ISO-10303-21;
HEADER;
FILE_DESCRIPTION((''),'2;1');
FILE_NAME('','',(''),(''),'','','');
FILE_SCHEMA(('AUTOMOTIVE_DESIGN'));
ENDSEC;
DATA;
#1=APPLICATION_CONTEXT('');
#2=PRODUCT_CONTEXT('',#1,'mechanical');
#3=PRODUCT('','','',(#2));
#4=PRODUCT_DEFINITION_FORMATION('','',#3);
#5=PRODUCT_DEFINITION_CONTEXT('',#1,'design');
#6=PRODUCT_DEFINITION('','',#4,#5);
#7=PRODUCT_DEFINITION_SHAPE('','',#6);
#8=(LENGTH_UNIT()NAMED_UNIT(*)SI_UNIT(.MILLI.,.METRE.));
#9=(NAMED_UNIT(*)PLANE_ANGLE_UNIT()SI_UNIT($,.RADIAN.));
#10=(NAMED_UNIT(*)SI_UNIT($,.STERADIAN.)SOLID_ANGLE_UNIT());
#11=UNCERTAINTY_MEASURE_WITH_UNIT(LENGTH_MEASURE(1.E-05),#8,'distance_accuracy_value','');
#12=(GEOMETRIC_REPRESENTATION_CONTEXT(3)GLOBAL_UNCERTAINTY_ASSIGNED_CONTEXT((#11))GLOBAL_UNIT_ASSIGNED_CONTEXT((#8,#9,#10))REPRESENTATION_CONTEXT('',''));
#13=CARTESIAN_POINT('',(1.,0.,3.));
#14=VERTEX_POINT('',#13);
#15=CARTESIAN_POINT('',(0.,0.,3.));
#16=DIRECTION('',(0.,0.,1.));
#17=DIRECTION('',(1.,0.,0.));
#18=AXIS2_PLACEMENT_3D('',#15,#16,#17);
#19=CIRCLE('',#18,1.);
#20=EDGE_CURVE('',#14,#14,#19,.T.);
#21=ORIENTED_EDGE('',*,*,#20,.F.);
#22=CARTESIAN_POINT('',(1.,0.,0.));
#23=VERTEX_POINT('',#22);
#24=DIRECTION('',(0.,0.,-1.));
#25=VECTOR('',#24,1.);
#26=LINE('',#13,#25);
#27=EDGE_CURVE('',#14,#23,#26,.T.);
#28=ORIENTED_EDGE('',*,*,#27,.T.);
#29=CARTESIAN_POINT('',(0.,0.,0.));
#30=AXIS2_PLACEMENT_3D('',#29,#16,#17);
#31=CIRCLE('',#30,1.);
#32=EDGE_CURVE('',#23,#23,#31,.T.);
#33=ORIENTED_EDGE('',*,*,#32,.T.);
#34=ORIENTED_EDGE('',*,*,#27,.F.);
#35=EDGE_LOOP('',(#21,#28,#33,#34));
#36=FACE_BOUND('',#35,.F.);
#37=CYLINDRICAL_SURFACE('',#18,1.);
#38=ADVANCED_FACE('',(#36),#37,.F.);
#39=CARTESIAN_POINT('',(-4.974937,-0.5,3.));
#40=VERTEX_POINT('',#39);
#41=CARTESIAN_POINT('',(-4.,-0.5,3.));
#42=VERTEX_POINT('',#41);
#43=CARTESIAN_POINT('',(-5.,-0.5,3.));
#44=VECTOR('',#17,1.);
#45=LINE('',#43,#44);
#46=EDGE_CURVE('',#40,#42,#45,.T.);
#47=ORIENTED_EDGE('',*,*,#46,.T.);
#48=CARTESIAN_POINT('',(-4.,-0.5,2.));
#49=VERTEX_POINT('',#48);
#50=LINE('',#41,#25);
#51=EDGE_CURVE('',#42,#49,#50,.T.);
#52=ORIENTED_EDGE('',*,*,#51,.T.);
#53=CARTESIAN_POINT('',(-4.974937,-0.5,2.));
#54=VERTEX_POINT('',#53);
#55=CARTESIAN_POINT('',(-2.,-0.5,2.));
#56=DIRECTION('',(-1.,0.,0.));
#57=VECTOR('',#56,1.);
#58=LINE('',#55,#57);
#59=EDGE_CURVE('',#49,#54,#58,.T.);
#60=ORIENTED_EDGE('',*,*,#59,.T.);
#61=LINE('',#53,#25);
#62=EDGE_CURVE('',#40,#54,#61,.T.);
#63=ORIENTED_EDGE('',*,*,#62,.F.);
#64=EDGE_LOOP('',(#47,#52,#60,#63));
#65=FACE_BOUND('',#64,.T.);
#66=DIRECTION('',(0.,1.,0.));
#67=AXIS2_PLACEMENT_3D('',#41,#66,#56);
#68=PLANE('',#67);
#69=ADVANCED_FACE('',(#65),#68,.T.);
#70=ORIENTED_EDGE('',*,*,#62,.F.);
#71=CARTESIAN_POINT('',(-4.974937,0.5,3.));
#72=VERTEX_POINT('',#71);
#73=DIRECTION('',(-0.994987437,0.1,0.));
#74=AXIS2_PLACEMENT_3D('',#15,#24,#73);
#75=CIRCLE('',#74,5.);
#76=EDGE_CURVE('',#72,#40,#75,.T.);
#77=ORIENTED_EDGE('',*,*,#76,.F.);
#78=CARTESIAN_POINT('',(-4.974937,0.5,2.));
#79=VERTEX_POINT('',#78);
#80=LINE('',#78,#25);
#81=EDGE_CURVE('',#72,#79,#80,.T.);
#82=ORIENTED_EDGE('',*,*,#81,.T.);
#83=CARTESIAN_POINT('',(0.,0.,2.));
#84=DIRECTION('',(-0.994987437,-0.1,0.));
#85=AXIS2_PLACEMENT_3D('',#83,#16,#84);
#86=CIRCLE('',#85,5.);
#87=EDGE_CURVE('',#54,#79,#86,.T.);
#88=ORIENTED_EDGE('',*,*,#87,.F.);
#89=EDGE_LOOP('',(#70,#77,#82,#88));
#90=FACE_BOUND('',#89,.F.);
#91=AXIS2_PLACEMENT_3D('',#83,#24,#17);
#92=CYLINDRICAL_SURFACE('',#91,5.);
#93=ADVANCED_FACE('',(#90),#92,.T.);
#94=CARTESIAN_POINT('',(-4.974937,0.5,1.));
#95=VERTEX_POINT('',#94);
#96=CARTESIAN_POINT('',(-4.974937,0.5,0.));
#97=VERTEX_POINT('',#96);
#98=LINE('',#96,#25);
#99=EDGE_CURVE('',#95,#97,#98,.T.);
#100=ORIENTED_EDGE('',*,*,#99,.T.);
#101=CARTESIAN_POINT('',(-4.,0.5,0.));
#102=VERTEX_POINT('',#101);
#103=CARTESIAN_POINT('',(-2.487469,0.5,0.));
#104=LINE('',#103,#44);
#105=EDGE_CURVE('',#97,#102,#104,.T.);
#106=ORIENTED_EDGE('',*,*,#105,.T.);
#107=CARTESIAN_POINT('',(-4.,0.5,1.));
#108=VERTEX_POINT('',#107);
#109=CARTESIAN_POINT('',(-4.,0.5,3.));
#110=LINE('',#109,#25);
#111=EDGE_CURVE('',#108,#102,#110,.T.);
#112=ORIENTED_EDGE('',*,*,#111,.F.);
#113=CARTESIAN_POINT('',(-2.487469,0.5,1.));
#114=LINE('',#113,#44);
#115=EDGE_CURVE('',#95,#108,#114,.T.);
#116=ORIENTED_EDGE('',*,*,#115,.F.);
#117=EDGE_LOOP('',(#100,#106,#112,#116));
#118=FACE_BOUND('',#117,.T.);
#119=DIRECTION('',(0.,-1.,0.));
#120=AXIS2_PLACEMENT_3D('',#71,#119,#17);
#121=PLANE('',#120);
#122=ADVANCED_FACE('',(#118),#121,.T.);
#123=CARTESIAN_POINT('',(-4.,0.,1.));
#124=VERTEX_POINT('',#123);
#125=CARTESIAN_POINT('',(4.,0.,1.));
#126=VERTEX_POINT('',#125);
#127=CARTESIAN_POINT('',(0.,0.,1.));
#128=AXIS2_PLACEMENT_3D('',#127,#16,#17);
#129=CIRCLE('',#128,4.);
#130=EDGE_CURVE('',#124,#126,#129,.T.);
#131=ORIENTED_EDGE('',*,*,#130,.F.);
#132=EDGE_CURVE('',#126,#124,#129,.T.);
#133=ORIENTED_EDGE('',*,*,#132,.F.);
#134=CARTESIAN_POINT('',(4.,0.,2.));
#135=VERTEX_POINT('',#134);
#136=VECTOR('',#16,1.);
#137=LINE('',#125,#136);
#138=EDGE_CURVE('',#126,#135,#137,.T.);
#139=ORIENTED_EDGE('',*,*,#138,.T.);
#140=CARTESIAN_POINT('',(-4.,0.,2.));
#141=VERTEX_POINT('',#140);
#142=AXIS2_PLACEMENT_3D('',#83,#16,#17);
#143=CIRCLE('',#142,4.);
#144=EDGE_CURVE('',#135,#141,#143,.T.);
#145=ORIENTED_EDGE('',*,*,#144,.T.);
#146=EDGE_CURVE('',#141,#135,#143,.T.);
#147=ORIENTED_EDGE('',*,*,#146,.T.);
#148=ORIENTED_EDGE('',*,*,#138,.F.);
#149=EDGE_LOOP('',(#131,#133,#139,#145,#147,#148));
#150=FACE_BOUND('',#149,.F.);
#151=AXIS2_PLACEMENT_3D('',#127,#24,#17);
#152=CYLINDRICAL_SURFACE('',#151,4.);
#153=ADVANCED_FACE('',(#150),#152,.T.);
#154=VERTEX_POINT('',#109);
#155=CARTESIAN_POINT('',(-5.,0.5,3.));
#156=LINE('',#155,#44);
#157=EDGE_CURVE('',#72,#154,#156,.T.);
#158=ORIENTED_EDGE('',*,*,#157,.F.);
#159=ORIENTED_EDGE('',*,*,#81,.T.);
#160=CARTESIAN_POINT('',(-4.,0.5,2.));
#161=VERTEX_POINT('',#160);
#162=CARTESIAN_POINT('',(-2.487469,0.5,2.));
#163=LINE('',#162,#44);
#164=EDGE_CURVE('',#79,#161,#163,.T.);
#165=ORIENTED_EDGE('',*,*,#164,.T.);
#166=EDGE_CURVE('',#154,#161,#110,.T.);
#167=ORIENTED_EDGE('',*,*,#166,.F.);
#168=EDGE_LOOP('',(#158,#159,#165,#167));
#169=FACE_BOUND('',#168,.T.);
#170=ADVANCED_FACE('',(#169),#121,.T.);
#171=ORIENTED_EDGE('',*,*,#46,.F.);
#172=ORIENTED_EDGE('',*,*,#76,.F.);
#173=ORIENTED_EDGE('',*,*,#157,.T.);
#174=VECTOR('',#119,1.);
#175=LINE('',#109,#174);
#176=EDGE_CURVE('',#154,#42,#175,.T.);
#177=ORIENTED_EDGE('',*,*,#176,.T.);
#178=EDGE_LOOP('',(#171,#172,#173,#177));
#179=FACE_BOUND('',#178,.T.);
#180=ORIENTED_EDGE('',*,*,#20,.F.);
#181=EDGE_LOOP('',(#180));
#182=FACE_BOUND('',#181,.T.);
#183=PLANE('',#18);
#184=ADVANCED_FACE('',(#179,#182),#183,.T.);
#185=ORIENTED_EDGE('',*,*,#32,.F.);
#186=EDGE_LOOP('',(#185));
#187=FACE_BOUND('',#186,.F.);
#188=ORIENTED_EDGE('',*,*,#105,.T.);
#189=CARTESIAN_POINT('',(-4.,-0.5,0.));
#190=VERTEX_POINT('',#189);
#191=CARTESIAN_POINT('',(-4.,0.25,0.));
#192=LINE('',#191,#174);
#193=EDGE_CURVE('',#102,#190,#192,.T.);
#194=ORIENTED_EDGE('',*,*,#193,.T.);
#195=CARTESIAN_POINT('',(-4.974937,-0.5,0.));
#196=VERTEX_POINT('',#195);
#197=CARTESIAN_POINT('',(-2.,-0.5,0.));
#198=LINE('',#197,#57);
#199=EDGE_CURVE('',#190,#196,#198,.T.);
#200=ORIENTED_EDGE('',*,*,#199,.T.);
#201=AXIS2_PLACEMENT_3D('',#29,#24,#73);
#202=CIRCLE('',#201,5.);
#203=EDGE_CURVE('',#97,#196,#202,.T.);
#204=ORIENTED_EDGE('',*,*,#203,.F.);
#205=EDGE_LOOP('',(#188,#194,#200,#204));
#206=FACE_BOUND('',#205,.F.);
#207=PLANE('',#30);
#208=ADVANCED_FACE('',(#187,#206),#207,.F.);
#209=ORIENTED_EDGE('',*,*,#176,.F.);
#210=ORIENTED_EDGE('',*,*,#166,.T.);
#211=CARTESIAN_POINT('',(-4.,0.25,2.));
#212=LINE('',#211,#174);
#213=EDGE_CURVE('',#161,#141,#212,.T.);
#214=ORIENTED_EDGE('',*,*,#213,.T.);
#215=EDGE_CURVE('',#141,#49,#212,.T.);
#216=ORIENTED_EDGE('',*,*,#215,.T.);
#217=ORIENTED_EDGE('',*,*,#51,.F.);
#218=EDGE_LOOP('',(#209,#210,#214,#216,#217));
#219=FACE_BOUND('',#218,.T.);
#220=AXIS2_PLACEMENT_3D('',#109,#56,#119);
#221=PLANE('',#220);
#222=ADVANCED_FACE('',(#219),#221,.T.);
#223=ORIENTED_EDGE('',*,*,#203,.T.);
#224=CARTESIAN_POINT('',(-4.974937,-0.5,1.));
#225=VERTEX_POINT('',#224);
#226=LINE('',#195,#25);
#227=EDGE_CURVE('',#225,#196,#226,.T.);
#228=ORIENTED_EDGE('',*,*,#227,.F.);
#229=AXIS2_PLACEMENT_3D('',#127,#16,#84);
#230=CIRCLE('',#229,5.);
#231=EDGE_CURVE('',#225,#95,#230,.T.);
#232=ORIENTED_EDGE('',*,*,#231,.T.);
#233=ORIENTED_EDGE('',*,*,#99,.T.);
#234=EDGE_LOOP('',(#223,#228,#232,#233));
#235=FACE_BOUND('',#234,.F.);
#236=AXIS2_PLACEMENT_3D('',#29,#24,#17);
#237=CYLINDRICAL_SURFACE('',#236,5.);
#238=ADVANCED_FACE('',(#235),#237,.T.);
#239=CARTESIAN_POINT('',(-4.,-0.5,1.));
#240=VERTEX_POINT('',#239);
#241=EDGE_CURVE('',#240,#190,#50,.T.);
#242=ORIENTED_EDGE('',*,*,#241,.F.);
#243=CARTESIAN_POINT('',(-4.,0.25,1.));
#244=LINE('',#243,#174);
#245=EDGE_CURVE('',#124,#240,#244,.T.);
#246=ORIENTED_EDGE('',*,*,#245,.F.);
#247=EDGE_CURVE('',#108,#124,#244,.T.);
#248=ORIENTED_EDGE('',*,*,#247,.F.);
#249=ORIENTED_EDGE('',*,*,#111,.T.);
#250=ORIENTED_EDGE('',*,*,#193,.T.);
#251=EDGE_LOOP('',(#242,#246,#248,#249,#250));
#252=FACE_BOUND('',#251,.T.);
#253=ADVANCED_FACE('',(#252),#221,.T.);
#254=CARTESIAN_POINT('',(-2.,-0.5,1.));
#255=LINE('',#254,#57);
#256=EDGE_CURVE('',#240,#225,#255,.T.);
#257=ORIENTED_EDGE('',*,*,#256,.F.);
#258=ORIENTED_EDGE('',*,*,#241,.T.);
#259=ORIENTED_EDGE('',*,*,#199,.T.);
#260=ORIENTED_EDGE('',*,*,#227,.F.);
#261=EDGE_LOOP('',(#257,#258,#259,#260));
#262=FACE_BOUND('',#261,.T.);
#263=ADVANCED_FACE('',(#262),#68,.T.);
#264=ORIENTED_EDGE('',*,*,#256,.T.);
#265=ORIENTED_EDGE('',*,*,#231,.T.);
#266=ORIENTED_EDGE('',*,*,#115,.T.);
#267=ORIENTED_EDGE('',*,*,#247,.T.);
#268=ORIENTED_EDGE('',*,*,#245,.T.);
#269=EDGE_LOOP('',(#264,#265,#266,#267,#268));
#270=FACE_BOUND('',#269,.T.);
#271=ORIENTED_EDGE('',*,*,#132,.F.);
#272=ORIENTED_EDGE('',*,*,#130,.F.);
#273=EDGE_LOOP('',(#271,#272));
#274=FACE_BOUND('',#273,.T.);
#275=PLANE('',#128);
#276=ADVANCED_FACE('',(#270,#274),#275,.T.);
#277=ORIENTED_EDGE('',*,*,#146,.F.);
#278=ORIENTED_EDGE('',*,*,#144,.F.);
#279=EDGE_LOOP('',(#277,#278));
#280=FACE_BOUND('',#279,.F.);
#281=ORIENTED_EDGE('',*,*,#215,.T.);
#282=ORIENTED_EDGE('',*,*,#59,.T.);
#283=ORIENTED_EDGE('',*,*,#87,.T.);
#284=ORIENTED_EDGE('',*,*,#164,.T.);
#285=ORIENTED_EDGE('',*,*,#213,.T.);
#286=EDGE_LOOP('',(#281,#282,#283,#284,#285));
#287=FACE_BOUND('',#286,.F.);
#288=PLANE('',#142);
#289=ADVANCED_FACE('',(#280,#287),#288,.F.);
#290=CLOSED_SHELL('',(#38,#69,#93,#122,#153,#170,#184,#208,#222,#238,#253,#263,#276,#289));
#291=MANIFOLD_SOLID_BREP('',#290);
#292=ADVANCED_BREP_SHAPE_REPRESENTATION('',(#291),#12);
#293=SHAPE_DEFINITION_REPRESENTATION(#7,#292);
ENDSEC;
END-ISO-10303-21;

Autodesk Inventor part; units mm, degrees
ref_plane "YZ Plane" through (0, 0, 0) normal (1, 0, 0) x (0, 1, 0)
ref_plane "XZ Plane" through (0, 0, 0) normal (0, 1, 0) x (-1, 0, 0)
ref_plane "XY Plane" through (0, 0, 0) normal (0, 0, 1) x (1, 0, 0)
sketch "Esboço1" plane through (0, 0, 0) normal (0, 0, 1) x (1, 0, 0)
  circle A0 centre (0, 0) radius 5
  dimension "d0" = 10
extrude "Extrusão1" add sketch "Esboço1" along normal blind 1
sketch "Esboço2" plane through (0, 0, 1) normal (0, 0, 1) x (1, 0, 0)
  circle A0 centre (0, 0) radius 4
  dimension "d3" = 8
extrude "Extrusão2" add sketch "Esboço2" along normal blind 1
sketch "Esboço3" plane through (0, 0, 2) normal (0, 0, 1) x (1, 0, 0)
  circle A0 centre (0, 0) radius 5
  dimension "d6" = 10
extrude "Extrusão3" add sketch "Esboço3" along normal blind 1
sketch "Esboço4" plane through (0, 0, 3) normal (0, 0, 1) x (1, 0, 0)
  circle A0 centre (0, 0) radius 4 projected
  circle A1 centre (0, 0) radius 1
  dimension "d9" = 2
extrude "Extrusão4" cut sketch "Esboço4" against normal blind 4 contours A1
thread "Rosca1" size "M2x0.4" class "6H" standard "ANSI Metric M Profile" full length
sketch "Esboço5" plane through (0, 0, 3) normal (0, 0, 1) x (1, 0, 0)
  circle A0 centre (0, 0) radius 5 projected
  line L0 (-4, 0) -> (-4, -0.5)
  circle A1 centre (0, 0) radius 4 projected
  line L1 (-4, 0) -> (-3.5, 0) construction
  line L2 (-4, -0.5) -> (-5, -0.5)
  line L3 (-5, -0.5) -> (-5, 0.5)
  line L4 (-5, -0.5) -> (-4, -0.5) construction
  line L5 (-5, 0.5) -> (-4, 0.5)
  line L6 (-4, 0.5) -> (-4, 0)
  line L7 (-4, -0.5) -> (-5, -0.5)
  dimension "d15" = 0.5
  dimension "d16" = 90
  dimension "d17" = 1
  dimension "d18" = 90
extrude "Extrusão5" cut sketch "Esboço5" against normal blind 10 contours L5 L6 L0 L2 A0 | A0 L3 L5 | L2 L3 A0 picked at (-4.3296, -0.2779)
properties part number "Polia"
